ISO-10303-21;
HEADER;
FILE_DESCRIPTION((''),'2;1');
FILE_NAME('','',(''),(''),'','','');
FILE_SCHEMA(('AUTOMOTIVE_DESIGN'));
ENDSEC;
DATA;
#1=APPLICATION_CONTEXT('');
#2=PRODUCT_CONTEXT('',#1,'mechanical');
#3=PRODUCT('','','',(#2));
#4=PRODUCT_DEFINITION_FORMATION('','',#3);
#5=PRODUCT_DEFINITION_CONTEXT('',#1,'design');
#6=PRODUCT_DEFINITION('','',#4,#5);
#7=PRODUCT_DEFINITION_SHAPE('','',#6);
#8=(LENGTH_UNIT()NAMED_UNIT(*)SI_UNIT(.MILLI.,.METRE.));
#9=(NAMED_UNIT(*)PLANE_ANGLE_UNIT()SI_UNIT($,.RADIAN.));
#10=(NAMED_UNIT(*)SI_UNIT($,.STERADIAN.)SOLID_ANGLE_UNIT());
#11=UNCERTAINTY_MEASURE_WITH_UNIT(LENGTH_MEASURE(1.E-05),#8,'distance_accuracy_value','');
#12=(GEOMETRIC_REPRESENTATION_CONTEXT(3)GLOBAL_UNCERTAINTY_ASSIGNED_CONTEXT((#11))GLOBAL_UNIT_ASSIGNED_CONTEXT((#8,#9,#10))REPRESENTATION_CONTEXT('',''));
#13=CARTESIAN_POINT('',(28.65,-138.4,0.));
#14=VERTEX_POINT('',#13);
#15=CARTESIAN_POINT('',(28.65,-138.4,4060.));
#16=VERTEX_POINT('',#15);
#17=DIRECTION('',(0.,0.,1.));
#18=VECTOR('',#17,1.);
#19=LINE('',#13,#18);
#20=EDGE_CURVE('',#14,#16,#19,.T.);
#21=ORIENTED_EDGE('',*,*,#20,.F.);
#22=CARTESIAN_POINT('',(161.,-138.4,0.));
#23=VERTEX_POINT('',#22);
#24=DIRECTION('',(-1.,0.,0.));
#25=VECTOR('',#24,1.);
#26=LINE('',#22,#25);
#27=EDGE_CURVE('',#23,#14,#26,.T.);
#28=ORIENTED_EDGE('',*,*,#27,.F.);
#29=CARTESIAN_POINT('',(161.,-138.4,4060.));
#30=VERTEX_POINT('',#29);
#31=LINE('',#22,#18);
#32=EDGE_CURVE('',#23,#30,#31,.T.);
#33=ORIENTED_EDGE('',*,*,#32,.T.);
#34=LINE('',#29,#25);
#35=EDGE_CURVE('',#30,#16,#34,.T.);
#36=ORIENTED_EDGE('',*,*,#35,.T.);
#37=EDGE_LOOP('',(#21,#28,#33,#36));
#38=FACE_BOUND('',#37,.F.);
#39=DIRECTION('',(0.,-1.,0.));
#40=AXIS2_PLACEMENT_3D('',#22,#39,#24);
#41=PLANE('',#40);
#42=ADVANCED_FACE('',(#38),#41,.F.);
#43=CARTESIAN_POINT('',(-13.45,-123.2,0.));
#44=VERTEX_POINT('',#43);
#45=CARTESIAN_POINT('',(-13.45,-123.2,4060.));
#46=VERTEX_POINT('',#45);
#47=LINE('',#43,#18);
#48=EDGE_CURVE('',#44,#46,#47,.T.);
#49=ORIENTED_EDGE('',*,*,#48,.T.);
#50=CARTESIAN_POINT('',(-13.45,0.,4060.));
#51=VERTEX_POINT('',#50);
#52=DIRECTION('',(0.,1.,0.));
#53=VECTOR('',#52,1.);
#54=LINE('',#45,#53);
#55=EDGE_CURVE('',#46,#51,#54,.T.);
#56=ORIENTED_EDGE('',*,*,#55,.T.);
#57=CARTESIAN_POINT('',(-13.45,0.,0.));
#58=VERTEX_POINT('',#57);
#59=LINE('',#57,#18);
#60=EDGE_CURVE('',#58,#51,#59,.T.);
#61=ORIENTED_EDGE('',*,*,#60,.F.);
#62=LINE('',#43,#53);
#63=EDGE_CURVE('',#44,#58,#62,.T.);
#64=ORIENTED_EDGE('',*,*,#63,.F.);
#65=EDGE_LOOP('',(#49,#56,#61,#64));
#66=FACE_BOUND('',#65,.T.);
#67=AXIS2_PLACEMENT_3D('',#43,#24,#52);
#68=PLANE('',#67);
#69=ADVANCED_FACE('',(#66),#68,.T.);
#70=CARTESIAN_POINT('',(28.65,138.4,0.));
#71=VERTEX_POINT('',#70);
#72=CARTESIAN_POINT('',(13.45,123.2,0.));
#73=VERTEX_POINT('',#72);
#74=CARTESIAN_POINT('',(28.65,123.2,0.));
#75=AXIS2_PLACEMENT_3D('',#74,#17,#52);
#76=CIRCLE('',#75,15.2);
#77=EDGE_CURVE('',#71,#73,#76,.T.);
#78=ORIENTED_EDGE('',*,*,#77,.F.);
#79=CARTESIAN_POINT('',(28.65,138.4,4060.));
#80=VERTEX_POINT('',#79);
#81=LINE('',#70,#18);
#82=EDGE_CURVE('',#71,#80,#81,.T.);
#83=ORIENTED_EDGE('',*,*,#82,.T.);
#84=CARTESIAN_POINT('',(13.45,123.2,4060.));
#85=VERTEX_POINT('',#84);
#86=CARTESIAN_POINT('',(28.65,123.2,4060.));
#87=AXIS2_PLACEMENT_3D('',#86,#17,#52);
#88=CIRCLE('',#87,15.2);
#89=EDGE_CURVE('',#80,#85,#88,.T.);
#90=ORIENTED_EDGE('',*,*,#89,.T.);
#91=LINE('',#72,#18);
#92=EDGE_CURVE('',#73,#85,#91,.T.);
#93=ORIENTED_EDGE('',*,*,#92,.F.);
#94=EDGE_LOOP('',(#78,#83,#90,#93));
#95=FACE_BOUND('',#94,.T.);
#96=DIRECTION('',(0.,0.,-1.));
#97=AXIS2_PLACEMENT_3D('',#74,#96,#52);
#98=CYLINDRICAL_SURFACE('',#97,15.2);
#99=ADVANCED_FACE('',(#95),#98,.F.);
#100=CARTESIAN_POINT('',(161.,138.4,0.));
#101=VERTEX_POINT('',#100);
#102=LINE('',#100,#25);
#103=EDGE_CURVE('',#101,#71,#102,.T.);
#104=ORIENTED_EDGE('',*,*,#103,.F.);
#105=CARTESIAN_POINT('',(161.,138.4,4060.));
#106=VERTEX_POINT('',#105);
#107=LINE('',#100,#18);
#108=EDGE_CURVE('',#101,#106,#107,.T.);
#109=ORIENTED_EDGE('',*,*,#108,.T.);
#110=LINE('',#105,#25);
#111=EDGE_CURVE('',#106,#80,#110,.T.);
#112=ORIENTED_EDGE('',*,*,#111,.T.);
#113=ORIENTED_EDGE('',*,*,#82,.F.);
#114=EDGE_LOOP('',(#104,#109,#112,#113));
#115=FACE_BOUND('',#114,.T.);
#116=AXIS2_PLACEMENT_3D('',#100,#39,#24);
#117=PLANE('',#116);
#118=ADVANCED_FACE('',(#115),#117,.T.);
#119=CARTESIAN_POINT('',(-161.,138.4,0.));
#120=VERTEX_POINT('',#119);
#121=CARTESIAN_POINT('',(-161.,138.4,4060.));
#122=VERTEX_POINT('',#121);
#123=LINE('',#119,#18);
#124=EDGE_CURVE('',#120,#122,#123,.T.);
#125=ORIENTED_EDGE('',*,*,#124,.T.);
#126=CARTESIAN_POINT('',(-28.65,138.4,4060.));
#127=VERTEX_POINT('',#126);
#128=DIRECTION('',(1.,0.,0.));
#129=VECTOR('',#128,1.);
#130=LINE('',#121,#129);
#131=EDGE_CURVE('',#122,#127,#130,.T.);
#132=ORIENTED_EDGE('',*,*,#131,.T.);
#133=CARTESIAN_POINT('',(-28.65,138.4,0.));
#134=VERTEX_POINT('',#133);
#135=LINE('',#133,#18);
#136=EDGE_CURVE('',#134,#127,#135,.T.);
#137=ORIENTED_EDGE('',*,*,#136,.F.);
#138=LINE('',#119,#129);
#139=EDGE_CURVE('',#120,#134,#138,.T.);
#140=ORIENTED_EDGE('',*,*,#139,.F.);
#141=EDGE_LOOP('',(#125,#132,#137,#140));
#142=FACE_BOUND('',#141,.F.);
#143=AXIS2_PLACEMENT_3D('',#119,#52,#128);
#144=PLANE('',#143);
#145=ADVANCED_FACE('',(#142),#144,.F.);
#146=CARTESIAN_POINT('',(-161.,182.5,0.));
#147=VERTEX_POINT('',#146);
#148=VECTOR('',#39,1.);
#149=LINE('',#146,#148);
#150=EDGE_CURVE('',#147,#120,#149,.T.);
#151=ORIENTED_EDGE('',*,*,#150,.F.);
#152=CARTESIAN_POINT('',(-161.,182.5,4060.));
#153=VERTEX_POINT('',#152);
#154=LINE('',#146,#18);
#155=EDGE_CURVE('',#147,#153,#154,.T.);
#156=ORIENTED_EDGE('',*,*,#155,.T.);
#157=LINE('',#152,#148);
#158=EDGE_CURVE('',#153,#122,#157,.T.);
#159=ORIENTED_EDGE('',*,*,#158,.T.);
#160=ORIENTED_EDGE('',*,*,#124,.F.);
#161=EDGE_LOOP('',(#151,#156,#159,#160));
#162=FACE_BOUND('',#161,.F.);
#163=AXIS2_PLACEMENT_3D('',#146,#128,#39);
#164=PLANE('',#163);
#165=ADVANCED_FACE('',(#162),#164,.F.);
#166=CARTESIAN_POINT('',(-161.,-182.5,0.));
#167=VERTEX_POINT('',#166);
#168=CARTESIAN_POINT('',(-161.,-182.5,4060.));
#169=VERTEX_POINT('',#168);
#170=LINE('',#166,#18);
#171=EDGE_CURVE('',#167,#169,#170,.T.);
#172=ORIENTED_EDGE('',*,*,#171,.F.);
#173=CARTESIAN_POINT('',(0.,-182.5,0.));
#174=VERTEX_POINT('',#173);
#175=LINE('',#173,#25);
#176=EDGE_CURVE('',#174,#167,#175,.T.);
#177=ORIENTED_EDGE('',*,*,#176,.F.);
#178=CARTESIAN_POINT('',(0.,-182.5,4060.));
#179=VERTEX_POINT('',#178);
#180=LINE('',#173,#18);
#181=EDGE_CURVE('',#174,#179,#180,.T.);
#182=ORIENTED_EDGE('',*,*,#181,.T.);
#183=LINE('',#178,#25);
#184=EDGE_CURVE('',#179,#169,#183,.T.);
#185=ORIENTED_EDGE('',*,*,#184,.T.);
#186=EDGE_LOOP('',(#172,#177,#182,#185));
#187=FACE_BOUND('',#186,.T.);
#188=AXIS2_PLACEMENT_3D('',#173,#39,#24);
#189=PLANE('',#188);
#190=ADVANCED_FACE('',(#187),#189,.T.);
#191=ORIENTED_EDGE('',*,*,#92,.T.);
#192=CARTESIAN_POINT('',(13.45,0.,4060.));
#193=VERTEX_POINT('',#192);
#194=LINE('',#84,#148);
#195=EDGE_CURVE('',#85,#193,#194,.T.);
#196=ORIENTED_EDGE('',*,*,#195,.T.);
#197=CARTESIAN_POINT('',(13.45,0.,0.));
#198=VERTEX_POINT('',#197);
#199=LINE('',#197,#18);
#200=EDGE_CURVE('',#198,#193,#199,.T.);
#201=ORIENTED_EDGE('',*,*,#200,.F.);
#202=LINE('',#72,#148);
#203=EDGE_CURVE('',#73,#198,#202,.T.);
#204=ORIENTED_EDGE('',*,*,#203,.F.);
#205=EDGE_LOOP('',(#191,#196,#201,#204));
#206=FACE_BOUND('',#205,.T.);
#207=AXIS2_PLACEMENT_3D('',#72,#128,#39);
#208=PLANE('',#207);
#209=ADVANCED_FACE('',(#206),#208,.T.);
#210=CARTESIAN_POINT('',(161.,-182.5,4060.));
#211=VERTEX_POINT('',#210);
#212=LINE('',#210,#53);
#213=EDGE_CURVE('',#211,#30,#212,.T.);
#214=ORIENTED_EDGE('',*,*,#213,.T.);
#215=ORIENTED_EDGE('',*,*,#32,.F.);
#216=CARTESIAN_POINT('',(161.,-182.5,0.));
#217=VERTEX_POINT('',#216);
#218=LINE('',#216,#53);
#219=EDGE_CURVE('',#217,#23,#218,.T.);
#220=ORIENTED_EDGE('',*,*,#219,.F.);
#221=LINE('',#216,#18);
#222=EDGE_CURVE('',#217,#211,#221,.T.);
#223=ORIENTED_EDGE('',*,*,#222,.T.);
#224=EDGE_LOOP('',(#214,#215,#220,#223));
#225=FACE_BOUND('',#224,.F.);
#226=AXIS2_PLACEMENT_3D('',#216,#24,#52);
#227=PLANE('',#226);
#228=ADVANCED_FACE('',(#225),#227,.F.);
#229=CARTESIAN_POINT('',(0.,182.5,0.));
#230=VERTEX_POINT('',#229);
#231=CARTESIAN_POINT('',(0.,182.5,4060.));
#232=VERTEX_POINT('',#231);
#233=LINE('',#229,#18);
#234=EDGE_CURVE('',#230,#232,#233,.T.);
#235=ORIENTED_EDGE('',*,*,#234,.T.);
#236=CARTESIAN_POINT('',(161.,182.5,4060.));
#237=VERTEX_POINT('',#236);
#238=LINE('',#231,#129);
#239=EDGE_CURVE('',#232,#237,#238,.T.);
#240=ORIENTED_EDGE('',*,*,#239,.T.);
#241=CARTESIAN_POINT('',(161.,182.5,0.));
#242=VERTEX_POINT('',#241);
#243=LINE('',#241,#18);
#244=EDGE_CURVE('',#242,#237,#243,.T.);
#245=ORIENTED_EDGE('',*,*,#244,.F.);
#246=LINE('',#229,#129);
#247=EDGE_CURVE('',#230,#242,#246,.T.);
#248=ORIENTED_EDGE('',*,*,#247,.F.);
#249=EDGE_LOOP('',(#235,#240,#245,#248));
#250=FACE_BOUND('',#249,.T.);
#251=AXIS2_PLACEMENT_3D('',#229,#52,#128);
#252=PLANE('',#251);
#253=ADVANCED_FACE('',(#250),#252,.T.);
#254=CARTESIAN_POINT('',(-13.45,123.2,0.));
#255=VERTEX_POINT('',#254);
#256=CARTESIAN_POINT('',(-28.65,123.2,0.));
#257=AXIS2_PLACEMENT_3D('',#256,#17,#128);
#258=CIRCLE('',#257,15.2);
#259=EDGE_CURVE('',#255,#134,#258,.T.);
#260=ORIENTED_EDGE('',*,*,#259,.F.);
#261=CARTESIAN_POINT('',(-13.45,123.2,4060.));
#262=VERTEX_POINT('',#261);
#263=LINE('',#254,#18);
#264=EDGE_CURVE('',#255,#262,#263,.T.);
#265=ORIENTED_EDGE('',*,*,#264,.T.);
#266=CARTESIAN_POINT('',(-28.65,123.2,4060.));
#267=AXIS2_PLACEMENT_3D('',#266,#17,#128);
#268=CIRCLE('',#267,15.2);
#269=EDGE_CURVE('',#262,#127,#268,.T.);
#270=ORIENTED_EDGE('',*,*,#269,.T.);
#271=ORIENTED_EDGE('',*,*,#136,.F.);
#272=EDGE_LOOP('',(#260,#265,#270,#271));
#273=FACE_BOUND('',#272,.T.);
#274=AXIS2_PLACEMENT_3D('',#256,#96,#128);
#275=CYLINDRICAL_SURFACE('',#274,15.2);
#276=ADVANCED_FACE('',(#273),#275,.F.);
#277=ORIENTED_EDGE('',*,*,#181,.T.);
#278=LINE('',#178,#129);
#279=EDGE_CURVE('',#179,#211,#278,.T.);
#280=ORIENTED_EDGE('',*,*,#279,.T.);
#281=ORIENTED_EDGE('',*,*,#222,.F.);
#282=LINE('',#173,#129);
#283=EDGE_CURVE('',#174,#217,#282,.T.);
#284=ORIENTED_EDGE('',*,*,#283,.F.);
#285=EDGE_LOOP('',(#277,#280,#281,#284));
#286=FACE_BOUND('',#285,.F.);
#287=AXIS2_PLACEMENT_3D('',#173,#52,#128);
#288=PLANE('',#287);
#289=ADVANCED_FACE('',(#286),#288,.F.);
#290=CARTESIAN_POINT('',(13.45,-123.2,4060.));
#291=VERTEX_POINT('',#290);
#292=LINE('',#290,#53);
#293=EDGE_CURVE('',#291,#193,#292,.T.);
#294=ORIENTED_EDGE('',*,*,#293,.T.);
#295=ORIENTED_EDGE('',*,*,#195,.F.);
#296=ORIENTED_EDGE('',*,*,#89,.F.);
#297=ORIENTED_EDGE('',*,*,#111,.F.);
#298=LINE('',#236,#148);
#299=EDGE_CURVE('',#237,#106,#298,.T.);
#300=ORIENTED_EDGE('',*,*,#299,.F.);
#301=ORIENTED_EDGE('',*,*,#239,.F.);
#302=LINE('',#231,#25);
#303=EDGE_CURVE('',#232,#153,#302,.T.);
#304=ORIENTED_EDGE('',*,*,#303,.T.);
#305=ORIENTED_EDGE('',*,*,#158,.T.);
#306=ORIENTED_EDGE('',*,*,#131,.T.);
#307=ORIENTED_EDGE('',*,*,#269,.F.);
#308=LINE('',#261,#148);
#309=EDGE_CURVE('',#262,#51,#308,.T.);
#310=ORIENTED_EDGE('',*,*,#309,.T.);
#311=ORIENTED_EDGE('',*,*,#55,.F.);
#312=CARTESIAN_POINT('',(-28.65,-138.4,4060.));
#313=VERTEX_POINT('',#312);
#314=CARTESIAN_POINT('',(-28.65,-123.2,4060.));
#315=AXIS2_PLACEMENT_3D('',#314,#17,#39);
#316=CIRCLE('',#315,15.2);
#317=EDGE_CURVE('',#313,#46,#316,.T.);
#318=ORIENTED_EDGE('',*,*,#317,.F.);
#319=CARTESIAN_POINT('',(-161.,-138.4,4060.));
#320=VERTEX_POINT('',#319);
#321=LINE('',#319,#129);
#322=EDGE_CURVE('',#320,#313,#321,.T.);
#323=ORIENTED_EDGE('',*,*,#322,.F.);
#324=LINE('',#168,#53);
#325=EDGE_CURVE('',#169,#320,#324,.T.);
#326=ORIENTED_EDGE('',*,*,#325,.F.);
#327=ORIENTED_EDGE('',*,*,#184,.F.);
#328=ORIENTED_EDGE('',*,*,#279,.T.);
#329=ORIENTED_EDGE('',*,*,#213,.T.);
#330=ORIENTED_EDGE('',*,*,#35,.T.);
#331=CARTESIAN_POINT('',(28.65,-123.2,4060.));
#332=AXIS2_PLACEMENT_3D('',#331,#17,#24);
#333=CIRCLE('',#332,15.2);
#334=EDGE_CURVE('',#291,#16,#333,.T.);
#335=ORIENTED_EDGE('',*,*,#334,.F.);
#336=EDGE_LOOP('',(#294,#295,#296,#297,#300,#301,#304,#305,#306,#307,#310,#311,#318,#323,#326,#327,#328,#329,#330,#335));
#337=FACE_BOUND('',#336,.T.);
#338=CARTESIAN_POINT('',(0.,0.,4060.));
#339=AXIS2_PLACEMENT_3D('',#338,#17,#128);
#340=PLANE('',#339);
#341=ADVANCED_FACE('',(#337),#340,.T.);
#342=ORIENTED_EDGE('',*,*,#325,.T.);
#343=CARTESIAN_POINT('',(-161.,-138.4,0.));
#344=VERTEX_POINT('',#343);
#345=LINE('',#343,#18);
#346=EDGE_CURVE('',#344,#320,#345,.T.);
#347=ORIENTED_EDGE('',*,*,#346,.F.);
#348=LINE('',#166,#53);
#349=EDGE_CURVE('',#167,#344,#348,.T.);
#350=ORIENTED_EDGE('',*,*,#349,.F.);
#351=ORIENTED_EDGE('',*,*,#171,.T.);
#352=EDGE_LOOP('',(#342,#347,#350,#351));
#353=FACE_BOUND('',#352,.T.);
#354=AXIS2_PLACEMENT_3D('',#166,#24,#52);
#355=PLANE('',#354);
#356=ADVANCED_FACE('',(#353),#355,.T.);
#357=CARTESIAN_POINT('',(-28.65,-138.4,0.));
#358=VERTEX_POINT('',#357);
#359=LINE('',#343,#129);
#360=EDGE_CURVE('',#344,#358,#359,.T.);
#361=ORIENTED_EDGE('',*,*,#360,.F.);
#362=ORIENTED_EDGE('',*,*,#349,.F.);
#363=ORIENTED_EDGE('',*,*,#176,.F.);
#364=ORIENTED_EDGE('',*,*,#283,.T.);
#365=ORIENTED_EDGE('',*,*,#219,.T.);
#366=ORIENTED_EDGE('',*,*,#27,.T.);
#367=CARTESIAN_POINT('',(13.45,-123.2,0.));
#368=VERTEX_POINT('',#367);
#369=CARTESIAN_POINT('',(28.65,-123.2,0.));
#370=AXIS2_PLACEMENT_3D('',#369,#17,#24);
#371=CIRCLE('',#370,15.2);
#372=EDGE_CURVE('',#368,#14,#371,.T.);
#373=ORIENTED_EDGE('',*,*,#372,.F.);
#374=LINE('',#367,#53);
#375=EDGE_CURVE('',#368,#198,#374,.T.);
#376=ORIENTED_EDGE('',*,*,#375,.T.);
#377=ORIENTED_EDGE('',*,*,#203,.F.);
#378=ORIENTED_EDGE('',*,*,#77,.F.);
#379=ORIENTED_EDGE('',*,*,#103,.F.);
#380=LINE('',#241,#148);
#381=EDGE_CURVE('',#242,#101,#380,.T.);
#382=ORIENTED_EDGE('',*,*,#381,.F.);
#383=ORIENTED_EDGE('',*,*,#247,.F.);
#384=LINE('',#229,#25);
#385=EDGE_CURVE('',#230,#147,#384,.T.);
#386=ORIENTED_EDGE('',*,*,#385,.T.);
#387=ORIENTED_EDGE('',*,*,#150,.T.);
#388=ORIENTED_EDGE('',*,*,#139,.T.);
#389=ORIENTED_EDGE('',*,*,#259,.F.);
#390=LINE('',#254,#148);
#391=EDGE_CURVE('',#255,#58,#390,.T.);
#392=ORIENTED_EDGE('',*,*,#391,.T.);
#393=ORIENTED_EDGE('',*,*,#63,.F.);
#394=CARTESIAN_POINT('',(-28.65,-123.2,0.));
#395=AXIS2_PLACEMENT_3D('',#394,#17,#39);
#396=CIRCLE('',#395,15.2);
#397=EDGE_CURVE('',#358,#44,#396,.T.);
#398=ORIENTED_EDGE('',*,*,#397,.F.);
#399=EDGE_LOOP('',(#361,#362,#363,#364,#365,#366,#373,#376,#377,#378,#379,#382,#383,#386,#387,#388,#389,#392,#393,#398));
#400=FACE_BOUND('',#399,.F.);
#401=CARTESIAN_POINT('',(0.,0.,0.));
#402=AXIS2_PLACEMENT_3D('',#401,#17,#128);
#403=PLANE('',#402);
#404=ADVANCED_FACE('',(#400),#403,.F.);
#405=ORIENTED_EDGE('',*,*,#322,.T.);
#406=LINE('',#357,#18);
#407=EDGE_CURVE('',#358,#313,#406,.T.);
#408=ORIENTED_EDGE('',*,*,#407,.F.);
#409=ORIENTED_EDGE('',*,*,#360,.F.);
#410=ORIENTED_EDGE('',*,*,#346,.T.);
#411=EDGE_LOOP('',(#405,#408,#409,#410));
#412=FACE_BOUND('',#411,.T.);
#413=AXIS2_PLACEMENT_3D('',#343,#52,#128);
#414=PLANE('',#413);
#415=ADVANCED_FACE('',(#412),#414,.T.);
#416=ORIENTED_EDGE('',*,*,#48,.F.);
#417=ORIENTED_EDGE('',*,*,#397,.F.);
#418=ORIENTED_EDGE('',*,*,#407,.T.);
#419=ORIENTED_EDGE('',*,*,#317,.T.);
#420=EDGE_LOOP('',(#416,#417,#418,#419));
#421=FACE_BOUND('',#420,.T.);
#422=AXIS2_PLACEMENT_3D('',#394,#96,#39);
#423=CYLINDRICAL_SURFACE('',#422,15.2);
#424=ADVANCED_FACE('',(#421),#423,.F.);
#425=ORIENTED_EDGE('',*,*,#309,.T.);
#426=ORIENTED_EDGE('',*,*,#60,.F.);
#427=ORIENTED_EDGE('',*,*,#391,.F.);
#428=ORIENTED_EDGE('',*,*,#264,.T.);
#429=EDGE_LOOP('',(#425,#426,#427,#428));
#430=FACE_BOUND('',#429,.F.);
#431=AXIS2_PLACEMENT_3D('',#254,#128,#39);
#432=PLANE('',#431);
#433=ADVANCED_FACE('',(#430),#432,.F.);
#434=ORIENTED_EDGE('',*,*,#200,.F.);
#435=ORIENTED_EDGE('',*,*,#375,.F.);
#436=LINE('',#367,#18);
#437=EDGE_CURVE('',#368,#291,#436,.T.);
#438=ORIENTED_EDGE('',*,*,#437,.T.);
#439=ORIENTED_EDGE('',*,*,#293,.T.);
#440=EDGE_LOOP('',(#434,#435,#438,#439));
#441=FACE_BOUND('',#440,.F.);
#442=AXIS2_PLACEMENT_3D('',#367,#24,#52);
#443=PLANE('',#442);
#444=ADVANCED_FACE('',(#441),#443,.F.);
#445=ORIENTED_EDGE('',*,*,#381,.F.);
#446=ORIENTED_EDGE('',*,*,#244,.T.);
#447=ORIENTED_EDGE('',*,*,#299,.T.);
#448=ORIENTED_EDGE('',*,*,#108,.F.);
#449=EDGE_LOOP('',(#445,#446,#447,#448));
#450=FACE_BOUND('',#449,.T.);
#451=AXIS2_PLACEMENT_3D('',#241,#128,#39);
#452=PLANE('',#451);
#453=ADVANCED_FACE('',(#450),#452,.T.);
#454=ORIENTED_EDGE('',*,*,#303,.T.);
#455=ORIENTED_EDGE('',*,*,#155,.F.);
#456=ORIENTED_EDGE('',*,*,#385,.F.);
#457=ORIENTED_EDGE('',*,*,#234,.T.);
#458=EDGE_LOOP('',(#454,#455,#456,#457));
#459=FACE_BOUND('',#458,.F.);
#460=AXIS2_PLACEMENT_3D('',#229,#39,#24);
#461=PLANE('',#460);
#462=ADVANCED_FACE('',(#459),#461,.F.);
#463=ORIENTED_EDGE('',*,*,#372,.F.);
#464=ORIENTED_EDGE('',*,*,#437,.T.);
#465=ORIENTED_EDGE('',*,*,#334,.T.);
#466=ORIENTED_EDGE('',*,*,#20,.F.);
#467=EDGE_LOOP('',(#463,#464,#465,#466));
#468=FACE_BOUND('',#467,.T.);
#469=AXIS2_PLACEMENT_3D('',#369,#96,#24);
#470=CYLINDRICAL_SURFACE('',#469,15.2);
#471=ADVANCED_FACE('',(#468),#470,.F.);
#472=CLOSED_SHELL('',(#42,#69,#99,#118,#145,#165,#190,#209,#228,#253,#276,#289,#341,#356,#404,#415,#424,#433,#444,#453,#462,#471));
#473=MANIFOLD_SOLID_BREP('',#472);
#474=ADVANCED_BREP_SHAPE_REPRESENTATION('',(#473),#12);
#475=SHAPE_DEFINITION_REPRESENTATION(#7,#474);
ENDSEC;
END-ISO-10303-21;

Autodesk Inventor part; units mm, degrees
ref_plane "YZ Plane" through (0, 0, 0) normal (1, 0, 0) x (0, 1, 0)
ref_plane "Start plane" through (0, 0, 0) normal (0, 0, 1) x (1, 0, 0)
ref_plane "End plane" through (0, 0, 4060) normal (0, 0, 1) x (1, 0, 0)
sketch "Sketch" plane through (0, 0, 0) normal (0, 0, 1) x (1, 0, 0)
  line L0 (-161, -182.5) -> (-161, -138.4)
  line L1 (-161, -138.4) -> (-28.65, -138.4)
  line L2 (-13.45, -123.2) -> (-13.45, 0)
  line L3 (-13.45, 0) -> (0, 0) construction
  line L4 (0, 0) -> (0, -182.5) construction
  line L5 (0, -182.5) -> (-161, -182.5)
  line L6 (-60, 0) -> (80, 0) construction
  line L7 (0, -60) -> (0, 80) construction
  line L8 (161, -182.5) -> (161, -138.4)
  line L9 (161, -138.4) -> (28.65, -138.4)
  line L10 (13.45, -123.2) -> (13.45, 0)
  line L11 (13.45, 0) -> (0, 0) construction
  line L12 (0, -182.5) -> (161, -182.5)
  line L13 (-161, 182.5) -> (-161, 138.4)
  line L14 (-161, 138.4) -> (-28.65, 138.4)
  line L15 (-13.45, 123.2) -> (-13.45, 0)
  line L16 (0, 182.5) -> (-161, 182.5)
  line L17 (161, 182.5) -> (161, 138.4)
  line L18 (161, 138.4) -> (28.65, 138.4)
  line L19 (0, 182.5) -> (161, 182.5)
  line L20 (13.45, 123.2) -> (13.45, 0)
  arc A0 (-13.45, 123.2) -> (-28.65, 138.4) centre (-28.65, 123.2) ccw
  arc A1 (28.65, 138.4) -> (13.45, 123.2) centre (28.65, 123.2) ccw
  arc A2 (13.45, -123.2) -> (28.65, -138.4) centre (28.65, -123.2) ccw
  arc A3 (-28.65, -138.4) -> (-13.45, -123.2) centre (-28.65, -123.2) ccw
  line L21 (0, 108) -> (0, -88) construction
  line L22 (-88, 0) -> (108, 0) construction
  point P0 (-13.45, -138.4)
  point P1 (13.45, -138.4)
  point P2 (-13.45, 138.4)
  point P3 (13.45, 138.4)
  dimension "d1" = 182.5
  dimension "d2" = 44.1
  dimension "d3" = 161
  dimension "d4" = 13.45
  dimension "d10" = 15.2
extrude "Body" add sketch "Sketch" along normal up to surface (4060 mm away) from surface at 0
sketch "Sketch4" plane through (0, 0, 0) normal (0, 0, 1) x (1, 0, 0)
  line L0 (0, 0) -> (10, 0)
ref_plane "Work Plane3" through (0, 0, 0) normal (0, -1, 0) x (1, 0, 0)
sketch "Sketch5" plane through (0, 0, 0) normal (0, -1, 0) x (1, 0, 0)
  line L0 (-2, 0) -> (12, 0) projected
  line L1 (-2, 4060) -> (12, 4060) projected
  dimension "d14" = 4060
equation "\"d1\" = 0.5 * G_H"
equation "\"d2\" = G_T1"
equation "\"d3\" = 0.5 * G_W"
equation "\"d4\" = 0.5 * G_T"
equation "\"d10\" = G_IR"
equation "\"d5\" = G_L"
equation "\"G_W\" = 322"
equation "\"G_H\" = 365"
equation "\"G_T\" = 26.9"
equation "\"G_T1\" = 44.1"
equation "\"G_IR\" = 15.2"
equation "\"G_L\" = d14"
equation "\"G_OFFSET_START\" = 0"
equation "\"G_OFFSET_END\" = 0"
properties part number "AS 3679 - 310 UC - 283 - 4060" material "Steel, Mild"
